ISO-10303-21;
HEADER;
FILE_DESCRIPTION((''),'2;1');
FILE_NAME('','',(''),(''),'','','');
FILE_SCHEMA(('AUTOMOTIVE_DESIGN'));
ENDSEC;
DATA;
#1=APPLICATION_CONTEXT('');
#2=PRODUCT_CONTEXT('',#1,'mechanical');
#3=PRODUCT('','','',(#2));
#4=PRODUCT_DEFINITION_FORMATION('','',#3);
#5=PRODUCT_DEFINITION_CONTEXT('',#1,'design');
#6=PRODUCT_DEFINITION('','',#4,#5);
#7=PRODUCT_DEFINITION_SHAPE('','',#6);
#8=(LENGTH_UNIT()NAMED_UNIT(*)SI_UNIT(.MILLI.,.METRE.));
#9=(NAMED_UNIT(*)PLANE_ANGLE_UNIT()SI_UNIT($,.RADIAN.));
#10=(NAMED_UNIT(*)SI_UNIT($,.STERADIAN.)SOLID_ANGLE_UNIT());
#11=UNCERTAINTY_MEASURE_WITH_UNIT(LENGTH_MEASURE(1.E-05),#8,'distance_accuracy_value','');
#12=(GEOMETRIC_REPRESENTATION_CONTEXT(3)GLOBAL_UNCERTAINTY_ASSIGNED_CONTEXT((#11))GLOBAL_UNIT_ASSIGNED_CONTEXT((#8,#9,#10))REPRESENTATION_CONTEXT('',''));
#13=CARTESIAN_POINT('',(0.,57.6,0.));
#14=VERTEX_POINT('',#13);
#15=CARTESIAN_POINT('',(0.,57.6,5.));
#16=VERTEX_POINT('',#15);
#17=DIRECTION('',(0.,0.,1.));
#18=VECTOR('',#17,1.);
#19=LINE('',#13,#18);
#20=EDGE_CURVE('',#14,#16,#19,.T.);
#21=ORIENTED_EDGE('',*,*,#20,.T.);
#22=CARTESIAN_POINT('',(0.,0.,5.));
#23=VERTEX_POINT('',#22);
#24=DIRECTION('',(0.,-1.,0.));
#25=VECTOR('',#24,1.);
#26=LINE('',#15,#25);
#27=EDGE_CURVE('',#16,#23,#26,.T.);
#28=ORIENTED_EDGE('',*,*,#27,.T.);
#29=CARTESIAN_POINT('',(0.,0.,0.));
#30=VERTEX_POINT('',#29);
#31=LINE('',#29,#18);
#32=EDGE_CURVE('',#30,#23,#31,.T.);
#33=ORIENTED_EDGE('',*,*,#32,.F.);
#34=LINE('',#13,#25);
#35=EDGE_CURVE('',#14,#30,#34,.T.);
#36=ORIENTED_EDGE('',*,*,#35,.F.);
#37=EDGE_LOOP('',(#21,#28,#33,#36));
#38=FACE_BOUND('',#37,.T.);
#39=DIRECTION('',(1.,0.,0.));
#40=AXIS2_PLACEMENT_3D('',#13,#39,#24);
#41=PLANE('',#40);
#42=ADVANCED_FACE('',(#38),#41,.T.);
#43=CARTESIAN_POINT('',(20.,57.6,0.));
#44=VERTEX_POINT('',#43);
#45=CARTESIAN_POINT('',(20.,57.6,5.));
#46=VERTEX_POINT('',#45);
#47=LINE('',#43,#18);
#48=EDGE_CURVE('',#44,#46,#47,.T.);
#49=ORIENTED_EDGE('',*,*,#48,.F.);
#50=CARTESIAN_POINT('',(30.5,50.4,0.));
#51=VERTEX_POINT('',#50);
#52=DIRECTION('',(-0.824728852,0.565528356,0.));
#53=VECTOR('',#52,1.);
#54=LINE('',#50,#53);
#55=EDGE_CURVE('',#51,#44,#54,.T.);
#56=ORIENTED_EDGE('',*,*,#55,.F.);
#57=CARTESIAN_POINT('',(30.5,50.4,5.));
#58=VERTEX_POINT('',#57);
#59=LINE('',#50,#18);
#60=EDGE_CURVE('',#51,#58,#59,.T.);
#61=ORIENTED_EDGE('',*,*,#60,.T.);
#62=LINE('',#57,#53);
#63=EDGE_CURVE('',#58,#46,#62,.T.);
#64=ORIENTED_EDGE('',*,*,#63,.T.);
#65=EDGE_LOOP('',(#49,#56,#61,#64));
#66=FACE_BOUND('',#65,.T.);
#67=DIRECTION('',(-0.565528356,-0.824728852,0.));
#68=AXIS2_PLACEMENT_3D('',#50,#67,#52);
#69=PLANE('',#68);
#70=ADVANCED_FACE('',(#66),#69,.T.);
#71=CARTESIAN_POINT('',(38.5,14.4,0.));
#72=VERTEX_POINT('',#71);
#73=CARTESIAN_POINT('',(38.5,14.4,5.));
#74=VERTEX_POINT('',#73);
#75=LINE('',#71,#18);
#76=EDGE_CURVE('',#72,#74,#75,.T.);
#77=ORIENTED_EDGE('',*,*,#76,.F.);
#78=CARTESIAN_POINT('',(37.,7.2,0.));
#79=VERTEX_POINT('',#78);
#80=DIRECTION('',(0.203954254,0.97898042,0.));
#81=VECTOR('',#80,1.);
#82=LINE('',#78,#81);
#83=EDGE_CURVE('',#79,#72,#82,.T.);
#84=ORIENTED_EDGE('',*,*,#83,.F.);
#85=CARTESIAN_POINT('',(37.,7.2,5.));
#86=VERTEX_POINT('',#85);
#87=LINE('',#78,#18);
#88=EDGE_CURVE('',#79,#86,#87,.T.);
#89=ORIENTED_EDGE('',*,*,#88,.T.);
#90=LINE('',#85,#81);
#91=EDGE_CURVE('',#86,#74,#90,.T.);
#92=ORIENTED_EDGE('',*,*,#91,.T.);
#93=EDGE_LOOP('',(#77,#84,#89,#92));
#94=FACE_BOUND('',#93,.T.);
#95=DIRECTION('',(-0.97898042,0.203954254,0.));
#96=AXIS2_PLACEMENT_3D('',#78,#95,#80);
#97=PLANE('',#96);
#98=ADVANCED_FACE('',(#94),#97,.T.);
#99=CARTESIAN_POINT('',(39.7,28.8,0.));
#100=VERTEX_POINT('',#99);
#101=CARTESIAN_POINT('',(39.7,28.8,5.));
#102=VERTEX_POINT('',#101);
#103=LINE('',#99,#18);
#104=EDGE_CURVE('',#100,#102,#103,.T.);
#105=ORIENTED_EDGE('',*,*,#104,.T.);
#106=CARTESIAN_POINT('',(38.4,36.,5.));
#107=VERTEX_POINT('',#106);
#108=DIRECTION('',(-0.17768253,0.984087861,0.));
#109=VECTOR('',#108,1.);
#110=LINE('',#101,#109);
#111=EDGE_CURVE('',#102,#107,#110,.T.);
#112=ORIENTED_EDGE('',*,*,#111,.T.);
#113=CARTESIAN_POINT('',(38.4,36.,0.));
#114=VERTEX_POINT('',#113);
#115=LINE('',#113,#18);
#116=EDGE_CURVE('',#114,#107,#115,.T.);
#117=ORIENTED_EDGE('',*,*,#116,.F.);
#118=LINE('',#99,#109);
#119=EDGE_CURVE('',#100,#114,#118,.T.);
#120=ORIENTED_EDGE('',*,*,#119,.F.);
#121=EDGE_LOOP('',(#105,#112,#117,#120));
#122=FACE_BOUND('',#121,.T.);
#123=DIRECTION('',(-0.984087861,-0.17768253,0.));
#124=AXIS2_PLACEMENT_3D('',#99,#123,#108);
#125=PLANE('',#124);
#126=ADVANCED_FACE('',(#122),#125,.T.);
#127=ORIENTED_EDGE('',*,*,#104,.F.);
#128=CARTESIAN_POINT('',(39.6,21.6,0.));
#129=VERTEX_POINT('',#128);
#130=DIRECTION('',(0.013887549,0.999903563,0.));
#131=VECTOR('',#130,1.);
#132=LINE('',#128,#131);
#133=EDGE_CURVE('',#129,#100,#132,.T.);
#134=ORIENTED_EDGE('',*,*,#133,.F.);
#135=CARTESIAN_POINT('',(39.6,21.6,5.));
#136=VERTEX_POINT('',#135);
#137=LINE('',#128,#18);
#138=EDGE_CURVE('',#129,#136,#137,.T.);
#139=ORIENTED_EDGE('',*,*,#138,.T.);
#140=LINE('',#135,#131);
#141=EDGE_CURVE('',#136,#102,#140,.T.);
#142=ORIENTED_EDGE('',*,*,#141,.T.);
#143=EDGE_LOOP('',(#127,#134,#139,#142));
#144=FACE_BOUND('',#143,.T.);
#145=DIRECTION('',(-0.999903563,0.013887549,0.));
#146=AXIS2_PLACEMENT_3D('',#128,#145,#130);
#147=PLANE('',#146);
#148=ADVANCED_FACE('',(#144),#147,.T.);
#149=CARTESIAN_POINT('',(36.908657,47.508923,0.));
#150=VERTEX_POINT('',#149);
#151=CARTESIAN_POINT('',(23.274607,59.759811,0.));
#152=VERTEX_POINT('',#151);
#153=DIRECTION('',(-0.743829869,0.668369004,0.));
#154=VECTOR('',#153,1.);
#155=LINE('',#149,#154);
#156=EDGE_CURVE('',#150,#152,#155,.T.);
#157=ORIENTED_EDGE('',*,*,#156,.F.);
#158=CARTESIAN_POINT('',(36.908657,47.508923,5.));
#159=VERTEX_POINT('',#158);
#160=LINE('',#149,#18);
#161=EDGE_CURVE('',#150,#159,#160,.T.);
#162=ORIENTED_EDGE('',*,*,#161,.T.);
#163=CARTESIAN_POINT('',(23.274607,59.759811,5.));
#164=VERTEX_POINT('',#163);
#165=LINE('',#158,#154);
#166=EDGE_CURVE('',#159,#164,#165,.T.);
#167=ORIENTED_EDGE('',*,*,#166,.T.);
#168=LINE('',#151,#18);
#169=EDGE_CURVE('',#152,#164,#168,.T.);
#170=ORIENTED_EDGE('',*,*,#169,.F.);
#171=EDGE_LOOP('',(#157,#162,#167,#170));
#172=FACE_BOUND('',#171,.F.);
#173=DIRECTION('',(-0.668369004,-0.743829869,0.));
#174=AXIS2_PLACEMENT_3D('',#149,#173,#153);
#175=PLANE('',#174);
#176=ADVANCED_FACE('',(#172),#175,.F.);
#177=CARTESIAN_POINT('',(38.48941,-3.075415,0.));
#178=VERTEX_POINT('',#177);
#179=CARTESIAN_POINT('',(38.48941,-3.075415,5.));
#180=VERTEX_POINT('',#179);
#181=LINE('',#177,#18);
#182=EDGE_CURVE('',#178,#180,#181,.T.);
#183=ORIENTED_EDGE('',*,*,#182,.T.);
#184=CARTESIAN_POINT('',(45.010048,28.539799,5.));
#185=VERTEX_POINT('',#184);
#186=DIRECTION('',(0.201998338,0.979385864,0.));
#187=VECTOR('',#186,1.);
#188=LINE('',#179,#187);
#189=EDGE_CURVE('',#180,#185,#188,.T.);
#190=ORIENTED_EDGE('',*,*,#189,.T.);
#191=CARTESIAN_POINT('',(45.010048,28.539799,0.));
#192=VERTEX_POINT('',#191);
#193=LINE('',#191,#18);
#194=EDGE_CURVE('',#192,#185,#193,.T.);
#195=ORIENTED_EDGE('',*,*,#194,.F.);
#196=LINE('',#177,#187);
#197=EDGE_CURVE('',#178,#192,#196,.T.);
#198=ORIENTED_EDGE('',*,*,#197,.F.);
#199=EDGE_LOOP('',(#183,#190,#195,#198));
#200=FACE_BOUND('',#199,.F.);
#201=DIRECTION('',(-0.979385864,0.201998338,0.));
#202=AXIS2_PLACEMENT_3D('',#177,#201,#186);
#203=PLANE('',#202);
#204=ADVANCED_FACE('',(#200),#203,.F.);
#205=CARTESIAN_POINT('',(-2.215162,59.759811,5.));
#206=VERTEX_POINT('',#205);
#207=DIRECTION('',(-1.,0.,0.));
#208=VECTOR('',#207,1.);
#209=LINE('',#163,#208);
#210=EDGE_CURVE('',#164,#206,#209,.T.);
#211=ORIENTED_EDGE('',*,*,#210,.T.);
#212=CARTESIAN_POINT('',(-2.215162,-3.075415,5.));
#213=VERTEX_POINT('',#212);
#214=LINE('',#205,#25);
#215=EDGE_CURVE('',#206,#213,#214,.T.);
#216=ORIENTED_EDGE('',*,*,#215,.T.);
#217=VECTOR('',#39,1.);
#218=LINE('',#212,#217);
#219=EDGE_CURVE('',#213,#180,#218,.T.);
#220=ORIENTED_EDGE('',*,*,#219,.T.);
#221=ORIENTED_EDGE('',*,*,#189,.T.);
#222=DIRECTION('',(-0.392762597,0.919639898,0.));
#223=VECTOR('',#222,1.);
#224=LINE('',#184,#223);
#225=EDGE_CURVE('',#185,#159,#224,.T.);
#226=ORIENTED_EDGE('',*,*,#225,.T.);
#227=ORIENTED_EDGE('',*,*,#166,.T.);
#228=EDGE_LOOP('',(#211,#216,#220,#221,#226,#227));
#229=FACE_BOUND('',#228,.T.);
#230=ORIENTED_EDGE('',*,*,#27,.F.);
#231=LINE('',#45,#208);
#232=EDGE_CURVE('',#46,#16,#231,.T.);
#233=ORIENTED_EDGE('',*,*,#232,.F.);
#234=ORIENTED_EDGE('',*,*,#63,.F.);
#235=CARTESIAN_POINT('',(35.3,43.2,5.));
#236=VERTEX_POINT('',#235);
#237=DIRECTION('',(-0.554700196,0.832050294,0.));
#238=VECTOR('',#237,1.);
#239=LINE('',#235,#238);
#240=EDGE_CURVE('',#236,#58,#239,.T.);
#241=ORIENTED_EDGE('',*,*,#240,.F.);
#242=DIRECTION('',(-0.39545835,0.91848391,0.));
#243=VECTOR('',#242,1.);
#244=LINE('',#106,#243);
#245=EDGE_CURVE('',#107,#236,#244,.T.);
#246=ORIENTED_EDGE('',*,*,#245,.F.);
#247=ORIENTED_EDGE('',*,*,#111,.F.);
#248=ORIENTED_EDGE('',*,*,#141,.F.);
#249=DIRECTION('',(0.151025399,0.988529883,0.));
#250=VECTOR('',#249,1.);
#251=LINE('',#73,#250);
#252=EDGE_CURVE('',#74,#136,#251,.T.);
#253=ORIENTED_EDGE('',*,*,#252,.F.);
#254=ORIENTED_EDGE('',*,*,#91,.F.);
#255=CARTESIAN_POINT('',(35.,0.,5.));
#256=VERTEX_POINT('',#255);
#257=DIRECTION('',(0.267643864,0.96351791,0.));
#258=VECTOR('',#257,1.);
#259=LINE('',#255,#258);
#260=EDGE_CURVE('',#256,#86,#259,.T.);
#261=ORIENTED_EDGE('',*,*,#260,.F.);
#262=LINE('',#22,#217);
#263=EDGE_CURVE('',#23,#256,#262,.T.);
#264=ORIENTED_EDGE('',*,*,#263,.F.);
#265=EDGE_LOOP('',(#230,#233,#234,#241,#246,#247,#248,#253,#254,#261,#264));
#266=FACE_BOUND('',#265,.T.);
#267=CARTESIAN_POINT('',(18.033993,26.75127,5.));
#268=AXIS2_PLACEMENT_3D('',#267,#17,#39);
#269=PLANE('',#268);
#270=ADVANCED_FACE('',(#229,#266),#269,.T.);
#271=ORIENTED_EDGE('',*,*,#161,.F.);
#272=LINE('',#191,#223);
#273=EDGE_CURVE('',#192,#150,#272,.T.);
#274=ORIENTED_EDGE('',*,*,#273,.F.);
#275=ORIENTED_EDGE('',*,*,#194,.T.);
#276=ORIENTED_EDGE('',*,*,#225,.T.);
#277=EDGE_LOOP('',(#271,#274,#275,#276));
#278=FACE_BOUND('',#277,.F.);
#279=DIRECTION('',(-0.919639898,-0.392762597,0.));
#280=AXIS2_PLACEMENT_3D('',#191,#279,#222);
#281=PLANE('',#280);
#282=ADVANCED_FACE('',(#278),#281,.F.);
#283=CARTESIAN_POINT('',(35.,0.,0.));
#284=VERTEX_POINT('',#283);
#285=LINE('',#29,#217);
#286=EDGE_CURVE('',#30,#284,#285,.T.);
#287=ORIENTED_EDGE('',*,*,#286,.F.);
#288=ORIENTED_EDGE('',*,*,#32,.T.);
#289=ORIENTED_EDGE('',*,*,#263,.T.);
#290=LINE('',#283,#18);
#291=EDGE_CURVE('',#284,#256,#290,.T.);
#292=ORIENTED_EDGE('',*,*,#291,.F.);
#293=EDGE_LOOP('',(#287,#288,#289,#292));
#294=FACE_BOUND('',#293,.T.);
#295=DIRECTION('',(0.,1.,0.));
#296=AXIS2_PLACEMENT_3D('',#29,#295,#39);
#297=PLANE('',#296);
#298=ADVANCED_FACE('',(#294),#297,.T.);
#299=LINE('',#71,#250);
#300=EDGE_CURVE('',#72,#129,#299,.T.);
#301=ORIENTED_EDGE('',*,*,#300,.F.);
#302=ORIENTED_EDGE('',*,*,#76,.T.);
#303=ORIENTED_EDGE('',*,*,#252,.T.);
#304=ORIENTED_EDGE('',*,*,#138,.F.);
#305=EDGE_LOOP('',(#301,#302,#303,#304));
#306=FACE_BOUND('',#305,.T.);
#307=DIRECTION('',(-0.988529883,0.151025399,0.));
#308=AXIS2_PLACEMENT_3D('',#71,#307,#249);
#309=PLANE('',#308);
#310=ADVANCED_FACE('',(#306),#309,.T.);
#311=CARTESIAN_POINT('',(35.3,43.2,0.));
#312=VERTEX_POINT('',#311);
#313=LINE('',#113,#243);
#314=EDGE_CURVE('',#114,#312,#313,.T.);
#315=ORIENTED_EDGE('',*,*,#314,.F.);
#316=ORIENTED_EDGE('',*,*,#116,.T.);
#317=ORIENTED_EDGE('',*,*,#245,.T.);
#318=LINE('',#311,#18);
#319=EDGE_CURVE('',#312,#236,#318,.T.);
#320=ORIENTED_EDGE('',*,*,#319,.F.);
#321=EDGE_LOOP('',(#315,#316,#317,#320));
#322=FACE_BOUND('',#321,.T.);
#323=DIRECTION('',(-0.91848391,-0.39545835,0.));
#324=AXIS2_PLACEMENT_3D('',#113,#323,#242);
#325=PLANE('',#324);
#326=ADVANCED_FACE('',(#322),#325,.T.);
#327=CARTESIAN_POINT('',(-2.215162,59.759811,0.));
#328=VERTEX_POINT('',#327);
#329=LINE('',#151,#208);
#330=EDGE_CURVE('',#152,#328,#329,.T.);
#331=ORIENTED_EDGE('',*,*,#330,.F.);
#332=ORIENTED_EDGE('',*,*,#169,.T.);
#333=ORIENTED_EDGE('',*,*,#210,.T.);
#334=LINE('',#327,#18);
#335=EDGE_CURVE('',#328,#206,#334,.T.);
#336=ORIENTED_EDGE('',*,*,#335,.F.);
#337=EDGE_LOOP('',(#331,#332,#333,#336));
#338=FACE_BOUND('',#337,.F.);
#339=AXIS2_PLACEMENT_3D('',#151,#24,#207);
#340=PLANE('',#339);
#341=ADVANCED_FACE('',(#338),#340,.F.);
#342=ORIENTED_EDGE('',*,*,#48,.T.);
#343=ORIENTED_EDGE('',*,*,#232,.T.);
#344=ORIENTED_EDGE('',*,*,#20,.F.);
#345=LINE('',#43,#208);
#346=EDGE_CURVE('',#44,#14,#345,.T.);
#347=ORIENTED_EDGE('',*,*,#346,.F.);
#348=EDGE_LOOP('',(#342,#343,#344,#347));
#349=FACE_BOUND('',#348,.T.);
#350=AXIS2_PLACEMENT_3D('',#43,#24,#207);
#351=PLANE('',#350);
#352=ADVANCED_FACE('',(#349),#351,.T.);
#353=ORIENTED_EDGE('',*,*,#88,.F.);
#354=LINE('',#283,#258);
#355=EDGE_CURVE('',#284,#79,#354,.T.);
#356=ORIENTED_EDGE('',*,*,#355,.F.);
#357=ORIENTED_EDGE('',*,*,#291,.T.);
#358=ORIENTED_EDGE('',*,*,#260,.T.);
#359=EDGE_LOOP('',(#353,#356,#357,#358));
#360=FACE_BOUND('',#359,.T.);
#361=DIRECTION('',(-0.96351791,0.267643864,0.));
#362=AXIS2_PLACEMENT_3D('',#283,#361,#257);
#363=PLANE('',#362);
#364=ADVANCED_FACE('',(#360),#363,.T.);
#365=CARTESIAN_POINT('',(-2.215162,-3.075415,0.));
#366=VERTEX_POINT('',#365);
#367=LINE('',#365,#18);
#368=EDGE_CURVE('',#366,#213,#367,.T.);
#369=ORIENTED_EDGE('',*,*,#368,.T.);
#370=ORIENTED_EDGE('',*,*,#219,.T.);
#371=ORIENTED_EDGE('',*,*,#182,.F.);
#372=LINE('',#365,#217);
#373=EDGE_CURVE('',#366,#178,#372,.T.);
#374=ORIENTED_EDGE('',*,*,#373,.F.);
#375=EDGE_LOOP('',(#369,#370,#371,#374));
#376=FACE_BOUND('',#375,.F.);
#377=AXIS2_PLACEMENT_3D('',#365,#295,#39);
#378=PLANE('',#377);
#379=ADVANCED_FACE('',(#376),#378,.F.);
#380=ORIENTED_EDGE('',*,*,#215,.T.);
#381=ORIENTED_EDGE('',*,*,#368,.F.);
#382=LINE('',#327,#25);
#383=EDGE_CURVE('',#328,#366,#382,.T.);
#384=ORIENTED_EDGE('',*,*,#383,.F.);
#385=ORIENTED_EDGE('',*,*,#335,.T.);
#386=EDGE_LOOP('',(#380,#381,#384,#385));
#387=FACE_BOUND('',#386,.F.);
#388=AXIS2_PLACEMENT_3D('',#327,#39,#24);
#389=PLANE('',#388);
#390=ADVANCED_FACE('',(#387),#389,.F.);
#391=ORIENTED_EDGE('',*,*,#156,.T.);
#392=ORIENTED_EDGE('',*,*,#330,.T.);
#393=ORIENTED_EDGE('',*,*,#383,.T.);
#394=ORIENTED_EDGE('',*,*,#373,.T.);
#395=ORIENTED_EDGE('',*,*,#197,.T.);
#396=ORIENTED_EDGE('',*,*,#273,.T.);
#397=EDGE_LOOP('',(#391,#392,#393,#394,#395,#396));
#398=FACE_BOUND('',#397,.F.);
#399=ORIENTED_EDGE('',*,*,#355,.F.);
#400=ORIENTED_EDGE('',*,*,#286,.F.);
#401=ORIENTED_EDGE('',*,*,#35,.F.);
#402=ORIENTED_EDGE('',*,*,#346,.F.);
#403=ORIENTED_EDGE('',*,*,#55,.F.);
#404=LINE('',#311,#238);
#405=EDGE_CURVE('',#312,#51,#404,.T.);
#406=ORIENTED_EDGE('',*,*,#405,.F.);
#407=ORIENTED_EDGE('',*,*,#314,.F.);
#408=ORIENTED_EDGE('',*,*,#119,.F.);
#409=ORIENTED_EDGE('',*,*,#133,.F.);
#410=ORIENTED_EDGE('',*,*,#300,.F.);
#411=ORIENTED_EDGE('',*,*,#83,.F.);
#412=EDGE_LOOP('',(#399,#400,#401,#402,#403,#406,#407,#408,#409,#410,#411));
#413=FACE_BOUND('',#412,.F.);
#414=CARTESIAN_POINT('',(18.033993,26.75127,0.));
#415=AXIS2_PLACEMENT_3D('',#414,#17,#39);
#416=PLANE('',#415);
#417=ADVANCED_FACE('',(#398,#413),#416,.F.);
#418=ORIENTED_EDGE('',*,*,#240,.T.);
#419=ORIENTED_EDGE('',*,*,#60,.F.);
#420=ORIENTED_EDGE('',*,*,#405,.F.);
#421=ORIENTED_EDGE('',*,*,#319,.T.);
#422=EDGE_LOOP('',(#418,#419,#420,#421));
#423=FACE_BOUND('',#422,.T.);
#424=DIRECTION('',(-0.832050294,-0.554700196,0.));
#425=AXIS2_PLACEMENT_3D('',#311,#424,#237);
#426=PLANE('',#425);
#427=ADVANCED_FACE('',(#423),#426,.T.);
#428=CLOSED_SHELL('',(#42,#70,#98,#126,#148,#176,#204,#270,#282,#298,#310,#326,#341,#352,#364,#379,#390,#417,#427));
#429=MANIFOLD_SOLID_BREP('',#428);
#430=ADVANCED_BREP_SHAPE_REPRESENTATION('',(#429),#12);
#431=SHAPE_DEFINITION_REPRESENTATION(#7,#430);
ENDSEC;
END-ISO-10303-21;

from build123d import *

# Parameters (mm, degrees)
PAD_DEPTH = 5


with BuildPart() as part:
    # Sketch → Pad (new body)
    with BuildSketch(Plane.XY):
        Polygon((-2.215162, 59.759811), (-2.215162, -3.075415), (38.48941, -3.075415), (45.010048, 28.539799), (36.908657, 47.508923), (23.274607, 59.759811), align=None)
        Polygon((0, 0), (35, 0), (37, 7.2), (38.5, 14.4), (39.6, 21.6), (39.7, 28.8), (38.4, 36), (35.3, 43.2), (30.5, 50.4), (20, 57.6), (0, 57.6), align=None, mode=Mode.SUBTRACT)
    extrude(amount=PAD_DEPTH)


solid = part.part
